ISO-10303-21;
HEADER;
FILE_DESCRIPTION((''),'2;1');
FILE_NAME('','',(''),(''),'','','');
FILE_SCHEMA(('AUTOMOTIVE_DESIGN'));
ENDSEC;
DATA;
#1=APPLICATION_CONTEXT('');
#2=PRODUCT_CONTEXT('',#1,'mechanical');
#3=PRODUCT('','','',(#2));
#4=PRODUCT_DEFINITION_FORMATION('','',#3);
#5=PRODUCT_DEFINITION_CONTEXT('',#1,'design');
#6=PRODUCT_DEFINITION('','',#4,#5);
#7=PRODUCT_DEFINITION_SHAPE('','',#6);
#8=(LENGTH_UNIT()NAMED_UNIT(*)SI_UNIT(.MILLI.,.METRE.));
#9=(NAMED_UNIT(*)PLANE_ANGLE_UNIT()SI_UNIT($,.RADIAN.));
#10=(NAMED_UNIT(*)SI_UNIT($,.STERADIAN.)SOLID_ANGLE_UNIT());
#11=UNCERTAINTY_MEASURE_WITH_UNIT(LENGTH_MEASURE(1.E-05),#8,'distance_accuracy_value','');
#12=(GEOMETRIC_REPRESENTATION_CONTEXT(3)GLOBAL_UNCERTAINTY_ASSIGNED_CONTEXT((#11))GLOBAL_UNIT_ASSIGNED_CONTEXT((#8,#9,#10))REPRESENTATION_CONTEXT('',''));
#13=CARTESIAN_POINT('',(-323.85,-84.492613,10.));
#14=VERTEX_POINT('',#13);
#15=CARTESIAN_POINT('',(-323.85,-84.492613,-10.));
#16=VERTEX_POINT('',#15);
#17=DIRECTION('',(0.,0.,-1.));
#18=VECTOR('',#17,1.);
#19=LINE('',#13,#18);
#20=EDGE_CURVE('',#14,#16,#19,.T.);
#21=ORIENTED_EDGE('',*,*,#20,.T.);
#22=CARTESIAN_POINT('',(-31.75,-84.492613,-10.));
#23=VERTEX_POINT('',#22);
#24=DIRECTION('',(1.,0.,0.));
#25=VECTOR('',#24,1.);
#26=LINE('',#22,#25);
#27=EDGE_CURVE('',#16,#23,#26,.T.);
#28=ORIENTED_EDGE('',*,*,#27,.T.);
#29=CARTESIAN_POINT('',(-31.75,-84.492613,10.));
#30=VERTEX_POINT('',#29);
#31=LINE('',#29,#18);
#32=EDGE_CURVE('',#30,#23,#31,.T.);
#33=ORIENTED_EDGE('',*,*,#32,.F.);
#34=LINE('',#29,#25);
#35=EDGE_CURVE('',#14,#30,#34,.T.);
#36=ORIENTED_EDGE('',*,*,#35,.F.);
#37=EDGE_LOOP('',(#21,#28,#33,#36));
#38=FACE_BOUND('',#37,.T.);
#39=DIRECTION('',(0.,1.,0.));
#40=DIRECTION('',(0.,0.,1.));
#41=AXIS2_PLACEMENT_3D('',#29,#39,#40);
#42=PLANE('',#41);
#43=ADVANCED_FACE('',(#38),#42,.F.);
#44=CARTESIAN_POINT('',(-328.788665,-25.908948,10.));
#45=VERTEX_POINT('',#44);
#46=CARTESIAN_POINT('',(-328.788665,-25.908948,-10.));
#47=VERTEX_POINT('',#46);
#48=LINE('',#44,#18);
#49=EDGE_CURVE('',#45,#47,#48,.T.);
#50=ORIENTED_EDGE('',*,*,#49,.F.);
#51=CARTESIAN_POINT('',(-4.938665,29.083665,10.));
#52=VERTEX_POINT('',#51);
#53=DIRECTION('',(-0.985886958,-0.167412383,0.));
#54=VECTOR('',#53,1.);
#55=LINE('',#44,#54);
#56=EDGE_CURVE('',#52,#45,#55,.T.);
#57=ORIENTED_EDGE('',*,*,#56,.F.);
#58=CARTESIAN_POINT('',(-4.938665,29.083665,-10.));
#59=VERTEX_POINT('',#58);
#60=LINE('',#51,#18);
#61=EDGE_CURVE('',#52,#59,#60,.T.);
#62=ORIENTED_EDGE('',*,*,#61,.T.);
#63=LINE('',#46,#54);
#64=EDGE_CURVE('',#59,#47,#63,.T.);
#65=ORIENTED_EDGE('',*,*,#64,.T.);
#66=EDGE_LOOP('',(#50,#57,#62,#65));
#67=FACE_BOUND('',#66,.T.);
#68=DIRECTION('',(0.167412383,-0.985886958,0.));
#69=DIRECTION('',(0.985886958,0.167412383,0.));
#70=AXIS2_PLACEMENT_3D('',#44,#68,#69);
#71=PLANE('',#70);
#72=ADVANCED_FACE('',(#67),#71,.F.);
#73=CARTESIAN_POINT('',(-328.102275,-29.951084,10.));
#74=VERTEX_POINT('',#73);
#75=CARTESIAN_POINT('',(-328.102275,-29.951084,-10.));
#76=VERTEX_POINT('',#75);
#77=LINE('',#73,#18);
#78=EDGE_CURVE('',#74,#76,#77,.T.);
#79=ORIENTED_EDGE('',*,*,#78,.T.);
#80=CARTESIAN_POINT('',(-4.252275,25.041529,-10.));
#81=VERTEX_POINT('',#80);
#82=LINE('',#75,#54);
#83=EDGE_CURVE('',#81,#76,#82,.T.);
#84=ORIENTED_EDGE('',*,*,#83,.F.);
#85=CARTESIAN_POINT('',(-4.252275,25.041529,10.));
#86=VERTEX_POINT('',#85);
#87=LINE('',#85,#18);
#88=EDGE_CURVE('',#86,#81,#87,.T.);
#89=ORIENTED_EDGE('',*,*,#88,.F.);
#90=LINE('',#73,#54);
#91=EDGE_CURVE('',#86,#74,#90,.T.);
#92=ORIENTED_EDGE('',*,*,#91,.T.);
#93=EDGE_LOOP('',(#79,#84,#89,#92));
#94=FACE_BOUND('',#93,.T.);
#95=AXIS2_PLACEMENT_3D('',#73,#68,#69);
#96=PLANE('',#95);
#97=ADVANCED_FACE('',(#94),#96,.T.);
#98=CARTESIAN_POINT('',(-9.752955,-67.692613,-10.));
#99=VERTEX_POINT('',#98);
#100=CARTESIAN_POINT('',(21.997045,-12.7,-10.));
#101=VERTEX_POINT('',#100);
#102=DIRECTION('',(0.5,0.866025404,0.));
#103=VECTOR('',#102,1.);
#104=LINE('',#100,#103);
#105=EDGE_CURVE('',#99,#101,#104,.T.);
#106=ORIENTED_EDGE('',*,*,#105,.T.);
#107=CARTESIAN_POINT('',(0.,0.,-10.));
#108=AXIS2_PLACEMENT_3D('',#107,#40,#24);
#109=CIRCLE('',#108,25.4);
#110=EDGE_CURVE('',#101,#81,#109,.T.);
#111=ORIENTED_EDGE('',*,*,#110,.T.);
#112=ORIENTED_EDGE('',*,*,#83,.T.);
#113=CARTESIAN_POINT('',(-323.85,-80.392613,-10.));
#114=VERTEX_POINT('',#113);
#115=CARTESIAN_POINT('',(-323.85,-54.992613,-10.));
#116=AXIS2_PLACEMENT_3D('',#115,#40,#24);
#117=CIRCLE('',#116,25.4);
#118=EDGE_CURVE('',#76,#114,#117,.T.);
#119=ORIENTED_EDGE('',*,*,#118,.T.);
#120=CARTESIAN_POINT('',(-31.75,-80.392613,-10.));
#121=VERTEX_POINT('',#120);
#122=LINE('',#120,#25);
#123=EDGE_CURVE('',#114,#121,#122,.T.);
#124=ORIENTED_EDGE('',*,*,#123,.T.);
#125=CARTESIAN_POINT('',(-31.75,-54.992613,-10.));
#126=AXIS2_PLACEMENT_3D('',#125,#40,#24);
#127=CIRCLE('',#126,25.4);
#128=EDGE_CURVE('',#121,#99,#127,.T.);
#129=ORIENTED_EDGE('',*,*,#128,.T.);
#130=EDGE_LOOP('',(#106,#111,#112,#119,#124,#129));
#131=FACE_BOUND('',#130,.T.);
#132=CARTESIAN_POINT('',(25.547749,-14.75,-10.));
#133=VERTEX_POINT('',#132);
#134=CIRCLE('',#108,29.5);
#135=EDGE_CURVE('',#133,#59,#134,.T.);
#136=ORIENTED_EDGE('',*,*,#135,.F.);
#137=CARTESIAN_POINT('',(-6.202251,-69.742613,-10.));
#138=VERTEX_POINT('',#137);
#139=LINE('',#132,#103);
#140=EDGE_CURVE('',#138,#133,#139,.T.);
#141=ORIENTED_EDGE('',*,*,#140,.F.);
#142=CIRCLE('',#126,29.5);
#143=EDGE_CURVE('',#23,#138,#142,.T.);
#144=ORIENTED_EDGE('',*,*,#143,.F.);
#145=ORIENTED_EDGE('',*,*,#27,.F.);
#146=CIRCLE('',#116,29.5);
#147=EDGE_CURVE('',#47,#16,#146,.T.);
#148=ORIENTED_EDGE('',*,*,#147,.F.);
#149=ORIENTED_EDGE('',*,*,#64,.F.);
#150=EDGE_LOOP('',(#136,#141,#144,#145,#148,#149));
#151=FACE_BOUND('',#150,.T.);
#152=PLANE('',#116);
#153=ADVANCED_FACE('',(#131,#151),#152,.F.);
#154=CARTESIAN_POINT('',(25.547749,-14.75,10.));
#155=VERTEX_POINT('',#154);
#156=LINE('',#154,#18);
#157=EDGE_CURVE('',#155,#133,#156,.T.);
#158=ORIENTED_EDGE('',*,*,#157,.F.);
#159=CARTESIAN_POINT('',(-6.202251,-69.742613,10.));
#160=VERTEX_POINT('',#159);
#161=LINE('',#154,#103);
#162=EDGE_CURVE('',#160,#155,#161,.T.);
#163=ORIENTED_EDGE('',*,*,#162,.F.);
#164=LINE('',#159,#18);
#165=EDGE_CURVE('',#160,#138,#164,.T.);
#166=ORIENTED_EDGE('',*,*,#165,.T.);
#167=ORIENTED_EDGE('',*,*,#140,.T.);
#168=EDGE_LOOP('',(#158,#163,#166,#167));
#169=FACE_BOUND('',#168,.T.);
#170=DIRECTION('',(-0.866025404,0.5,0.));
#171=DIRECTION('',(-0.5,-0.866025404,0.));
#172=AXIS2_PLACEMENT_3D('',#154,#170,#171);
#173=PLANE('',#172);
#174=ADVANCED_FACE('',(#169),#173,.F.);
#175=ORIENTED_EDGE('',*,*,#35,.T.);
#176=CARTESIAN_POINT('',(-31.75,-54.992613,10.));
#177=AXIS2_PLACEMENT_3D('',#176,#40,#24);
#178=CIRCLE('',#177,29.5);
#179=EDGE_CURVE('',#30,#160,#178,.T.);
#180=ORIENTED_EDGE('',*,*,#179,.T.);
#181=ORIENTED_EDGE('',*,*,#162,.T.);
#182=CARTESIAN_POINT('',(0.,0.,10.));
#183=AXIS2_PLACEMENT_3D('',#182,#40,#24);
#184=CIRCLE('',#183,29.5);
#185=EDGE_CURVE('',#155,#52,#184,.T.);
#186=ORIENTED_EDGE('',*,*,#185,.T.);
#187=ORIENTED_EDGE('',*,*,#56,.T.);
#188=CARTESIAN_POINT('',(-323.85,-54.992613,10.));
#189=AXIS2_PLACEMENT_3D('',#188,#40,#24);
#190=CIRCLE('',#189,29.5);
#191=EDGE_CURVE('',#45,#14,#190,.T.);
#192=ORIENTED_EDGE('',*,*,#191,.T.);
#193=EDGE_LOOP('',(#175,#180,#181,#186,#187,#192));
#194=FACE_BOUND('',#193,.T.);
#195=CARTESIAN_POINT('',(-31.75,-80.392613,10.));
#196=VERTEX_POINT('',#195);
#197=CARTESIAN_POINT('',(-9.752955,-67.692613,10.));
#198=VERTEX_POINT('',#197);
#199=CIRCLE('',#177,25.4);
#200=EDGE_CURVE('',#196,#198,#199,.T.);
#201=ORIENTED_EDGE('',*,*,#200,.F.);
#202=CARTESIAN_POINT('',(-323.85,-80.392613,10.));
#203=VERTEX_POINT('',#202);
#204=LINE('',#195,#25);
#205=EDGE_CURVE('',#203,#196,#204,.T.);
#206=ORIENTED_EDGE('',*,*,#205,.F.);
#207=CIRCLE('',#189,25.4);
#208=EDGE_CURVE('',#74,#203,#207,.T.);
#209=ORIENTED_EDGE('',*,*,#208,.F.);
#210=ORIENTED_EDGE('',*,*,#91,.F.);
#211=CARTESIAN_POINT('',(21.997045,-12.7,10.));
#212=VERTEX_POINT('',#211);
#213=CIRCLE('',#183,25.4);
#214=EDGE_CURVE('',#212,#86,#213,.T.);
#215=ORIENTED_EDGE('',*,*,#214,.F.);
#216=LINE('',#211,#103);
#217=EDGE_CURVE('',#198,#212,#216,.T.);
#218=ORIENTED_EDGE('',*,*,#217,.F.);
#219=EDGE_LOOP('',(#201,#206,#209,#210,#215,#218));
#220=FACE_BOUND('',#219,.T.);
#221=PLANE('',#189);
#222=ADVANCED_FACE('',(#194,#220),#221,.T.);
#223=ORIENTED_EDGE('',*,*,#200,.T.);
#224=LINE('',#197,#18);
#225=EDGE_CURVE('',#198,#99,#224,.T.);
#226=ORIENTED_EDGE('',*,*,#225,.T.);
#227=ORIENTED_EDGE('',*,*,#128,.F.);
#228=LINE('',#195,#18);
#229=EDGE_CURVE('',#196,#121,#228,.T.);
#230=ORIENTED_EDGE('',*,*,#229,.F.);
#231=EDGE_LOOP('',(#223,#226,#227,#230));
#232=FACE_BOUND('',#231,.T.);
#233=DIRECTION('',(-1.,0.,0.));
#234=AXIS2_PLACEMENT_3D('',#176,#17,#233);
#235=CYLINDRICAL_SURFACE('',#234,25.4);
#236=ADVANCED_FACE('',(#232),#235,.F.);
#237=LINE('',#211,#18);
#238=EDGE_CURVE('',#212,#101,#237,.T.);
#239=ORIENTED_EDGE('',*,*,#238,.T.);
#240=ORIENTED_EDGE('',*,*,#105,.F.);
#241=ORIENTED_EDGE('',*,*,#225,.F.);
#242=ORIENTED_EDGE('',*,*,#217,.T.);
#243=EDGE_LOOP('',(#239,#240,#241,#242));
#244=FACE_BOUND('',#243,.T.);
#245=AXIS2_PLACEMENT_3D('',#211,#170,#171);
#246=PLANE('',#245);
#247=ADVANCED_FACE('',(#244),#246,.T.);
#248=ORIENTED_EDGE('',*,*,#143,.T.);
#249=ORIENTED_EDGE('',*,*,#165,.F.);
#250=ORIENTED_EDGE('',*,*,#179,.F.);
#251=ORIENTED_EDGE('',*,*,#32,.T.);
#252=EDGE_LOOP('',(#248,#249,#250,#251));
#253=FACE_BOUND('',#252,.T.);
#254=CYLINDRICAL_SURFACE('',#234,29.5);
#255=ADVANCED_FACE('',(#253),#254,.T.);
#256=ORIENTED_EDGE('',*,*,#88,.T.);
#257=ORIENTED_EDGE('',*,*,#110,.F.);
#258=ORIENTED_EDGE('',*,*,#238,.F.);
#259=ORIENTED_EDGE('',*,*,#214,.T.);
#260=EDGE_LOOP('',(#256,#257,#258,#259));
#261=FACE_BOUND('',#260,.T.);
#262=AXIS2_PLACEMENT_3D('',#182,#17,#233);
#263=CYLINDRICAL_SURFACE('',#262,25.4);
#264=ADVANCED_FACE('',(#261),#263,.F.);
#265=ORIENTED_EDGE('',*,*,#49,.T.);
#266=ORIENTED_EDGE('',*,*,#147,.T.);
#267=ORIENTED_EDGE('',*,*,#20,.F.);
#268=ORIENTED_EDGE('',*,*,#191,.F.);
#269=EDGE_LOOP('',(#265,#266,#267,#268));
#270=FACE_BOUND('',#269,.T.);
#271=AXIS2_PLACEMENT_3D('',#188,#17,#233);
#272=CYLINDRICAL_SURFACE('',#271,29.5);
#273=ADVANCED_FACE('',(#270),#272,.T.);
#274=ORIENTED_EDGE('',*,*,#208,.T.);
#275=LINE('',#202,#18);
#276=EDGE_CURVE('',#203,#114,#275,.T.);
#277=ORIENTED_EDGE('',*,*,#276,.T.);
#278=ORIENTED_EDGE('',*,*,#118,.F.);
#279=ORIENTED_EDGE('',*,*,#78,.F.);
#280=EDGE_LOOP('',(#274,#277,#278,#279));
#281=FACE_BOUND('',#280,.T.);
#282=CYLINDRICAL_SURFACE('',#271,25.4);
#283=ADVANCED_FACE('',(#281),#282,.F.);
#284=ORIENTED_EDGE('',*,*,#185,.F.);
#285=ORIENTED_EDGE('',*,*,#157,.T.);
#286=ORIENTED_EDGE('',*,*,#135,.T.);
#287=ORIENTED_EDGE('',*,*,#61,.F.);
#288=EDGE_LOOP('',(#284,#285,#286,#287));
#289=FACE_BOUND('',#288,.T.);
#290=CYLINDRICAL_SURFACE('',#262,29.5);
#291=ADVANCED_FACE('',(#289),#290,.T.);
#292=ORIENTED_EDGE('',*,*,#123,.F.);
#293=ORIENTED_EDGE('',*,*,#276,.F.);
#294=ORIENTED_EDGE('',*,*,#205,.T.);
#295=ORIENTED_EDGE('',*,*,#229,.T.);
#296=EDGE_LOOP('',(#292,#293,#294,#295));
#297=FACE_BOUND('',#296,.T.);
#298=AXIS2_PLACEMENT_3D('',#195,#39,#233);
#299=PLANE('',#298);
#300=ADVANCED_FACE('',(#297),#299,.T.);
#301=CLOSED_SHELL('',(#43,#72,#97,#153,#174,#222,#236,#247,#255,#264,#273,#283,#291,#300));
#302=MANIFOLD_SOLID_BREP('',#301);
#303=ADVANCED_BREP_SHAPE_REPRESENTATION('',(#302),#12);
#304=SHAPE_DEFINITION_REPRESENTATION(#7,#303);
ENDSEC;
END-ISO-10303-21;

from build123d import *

# Parameters (mm, degrees)
BOSS_EXTRUDE1_DEPTH = 10


with BuildPart() as part:
    # Sketch3 → Boss-Extrude1 (new body, symmetric)
    with BuildSketch(Plane.XY):
        with BuildLine():
            Line((-328.788665285, -25.908947876), (-4.938665285, 29.083665264))
            ThreePointArc((-4.938665285, 29.083665264), (24.21840498, 16.843956193), (25.547749412, -14.75))
            Line((25.547749412, -14.75), (-6.202250588, -69.74261314))
            ThreePointArc((-6.202250588, -69.74261314), (-17, -80.540362552), (-31.75, -84.49261314))
            Line((-31.75, -84.49261314), (-323.85, -84.49261314))
            ThreePointArc((-323.85, -84.49261314), (-353.245732048, -57.470704614), (-328.788665285, -25.908947876))
        make_face()
        with BuildLine():
            Line((-328.102274517, -29.951084404), (-4.252274517, 25.041528736))
            ThreePointArc((-4.252274517, 25.041528736), (20.852457169, 14.502931773), (21.997045256, -12.7))
            Line((21.997045256, -12.7), (-9.752954744, -67.69261314))
            ThreePointArc((-9.752954744, -67.69261314), (-19.05, -76.989658396), (-31.75, -80.39261314))
            Line((-31.75, -80.39261314), (-323.85, -80.39261314))
            ThreePointArc((-323.85, -80.39261314), (-349.160223526, -57.126291901), (-328.102274517, -29.951084404))
        make_face(mode=Mode.SUBTRACT)
    extrude(amount=BOSS_EXTRUDE1_DEPTH, both=True)


solid = part.part
